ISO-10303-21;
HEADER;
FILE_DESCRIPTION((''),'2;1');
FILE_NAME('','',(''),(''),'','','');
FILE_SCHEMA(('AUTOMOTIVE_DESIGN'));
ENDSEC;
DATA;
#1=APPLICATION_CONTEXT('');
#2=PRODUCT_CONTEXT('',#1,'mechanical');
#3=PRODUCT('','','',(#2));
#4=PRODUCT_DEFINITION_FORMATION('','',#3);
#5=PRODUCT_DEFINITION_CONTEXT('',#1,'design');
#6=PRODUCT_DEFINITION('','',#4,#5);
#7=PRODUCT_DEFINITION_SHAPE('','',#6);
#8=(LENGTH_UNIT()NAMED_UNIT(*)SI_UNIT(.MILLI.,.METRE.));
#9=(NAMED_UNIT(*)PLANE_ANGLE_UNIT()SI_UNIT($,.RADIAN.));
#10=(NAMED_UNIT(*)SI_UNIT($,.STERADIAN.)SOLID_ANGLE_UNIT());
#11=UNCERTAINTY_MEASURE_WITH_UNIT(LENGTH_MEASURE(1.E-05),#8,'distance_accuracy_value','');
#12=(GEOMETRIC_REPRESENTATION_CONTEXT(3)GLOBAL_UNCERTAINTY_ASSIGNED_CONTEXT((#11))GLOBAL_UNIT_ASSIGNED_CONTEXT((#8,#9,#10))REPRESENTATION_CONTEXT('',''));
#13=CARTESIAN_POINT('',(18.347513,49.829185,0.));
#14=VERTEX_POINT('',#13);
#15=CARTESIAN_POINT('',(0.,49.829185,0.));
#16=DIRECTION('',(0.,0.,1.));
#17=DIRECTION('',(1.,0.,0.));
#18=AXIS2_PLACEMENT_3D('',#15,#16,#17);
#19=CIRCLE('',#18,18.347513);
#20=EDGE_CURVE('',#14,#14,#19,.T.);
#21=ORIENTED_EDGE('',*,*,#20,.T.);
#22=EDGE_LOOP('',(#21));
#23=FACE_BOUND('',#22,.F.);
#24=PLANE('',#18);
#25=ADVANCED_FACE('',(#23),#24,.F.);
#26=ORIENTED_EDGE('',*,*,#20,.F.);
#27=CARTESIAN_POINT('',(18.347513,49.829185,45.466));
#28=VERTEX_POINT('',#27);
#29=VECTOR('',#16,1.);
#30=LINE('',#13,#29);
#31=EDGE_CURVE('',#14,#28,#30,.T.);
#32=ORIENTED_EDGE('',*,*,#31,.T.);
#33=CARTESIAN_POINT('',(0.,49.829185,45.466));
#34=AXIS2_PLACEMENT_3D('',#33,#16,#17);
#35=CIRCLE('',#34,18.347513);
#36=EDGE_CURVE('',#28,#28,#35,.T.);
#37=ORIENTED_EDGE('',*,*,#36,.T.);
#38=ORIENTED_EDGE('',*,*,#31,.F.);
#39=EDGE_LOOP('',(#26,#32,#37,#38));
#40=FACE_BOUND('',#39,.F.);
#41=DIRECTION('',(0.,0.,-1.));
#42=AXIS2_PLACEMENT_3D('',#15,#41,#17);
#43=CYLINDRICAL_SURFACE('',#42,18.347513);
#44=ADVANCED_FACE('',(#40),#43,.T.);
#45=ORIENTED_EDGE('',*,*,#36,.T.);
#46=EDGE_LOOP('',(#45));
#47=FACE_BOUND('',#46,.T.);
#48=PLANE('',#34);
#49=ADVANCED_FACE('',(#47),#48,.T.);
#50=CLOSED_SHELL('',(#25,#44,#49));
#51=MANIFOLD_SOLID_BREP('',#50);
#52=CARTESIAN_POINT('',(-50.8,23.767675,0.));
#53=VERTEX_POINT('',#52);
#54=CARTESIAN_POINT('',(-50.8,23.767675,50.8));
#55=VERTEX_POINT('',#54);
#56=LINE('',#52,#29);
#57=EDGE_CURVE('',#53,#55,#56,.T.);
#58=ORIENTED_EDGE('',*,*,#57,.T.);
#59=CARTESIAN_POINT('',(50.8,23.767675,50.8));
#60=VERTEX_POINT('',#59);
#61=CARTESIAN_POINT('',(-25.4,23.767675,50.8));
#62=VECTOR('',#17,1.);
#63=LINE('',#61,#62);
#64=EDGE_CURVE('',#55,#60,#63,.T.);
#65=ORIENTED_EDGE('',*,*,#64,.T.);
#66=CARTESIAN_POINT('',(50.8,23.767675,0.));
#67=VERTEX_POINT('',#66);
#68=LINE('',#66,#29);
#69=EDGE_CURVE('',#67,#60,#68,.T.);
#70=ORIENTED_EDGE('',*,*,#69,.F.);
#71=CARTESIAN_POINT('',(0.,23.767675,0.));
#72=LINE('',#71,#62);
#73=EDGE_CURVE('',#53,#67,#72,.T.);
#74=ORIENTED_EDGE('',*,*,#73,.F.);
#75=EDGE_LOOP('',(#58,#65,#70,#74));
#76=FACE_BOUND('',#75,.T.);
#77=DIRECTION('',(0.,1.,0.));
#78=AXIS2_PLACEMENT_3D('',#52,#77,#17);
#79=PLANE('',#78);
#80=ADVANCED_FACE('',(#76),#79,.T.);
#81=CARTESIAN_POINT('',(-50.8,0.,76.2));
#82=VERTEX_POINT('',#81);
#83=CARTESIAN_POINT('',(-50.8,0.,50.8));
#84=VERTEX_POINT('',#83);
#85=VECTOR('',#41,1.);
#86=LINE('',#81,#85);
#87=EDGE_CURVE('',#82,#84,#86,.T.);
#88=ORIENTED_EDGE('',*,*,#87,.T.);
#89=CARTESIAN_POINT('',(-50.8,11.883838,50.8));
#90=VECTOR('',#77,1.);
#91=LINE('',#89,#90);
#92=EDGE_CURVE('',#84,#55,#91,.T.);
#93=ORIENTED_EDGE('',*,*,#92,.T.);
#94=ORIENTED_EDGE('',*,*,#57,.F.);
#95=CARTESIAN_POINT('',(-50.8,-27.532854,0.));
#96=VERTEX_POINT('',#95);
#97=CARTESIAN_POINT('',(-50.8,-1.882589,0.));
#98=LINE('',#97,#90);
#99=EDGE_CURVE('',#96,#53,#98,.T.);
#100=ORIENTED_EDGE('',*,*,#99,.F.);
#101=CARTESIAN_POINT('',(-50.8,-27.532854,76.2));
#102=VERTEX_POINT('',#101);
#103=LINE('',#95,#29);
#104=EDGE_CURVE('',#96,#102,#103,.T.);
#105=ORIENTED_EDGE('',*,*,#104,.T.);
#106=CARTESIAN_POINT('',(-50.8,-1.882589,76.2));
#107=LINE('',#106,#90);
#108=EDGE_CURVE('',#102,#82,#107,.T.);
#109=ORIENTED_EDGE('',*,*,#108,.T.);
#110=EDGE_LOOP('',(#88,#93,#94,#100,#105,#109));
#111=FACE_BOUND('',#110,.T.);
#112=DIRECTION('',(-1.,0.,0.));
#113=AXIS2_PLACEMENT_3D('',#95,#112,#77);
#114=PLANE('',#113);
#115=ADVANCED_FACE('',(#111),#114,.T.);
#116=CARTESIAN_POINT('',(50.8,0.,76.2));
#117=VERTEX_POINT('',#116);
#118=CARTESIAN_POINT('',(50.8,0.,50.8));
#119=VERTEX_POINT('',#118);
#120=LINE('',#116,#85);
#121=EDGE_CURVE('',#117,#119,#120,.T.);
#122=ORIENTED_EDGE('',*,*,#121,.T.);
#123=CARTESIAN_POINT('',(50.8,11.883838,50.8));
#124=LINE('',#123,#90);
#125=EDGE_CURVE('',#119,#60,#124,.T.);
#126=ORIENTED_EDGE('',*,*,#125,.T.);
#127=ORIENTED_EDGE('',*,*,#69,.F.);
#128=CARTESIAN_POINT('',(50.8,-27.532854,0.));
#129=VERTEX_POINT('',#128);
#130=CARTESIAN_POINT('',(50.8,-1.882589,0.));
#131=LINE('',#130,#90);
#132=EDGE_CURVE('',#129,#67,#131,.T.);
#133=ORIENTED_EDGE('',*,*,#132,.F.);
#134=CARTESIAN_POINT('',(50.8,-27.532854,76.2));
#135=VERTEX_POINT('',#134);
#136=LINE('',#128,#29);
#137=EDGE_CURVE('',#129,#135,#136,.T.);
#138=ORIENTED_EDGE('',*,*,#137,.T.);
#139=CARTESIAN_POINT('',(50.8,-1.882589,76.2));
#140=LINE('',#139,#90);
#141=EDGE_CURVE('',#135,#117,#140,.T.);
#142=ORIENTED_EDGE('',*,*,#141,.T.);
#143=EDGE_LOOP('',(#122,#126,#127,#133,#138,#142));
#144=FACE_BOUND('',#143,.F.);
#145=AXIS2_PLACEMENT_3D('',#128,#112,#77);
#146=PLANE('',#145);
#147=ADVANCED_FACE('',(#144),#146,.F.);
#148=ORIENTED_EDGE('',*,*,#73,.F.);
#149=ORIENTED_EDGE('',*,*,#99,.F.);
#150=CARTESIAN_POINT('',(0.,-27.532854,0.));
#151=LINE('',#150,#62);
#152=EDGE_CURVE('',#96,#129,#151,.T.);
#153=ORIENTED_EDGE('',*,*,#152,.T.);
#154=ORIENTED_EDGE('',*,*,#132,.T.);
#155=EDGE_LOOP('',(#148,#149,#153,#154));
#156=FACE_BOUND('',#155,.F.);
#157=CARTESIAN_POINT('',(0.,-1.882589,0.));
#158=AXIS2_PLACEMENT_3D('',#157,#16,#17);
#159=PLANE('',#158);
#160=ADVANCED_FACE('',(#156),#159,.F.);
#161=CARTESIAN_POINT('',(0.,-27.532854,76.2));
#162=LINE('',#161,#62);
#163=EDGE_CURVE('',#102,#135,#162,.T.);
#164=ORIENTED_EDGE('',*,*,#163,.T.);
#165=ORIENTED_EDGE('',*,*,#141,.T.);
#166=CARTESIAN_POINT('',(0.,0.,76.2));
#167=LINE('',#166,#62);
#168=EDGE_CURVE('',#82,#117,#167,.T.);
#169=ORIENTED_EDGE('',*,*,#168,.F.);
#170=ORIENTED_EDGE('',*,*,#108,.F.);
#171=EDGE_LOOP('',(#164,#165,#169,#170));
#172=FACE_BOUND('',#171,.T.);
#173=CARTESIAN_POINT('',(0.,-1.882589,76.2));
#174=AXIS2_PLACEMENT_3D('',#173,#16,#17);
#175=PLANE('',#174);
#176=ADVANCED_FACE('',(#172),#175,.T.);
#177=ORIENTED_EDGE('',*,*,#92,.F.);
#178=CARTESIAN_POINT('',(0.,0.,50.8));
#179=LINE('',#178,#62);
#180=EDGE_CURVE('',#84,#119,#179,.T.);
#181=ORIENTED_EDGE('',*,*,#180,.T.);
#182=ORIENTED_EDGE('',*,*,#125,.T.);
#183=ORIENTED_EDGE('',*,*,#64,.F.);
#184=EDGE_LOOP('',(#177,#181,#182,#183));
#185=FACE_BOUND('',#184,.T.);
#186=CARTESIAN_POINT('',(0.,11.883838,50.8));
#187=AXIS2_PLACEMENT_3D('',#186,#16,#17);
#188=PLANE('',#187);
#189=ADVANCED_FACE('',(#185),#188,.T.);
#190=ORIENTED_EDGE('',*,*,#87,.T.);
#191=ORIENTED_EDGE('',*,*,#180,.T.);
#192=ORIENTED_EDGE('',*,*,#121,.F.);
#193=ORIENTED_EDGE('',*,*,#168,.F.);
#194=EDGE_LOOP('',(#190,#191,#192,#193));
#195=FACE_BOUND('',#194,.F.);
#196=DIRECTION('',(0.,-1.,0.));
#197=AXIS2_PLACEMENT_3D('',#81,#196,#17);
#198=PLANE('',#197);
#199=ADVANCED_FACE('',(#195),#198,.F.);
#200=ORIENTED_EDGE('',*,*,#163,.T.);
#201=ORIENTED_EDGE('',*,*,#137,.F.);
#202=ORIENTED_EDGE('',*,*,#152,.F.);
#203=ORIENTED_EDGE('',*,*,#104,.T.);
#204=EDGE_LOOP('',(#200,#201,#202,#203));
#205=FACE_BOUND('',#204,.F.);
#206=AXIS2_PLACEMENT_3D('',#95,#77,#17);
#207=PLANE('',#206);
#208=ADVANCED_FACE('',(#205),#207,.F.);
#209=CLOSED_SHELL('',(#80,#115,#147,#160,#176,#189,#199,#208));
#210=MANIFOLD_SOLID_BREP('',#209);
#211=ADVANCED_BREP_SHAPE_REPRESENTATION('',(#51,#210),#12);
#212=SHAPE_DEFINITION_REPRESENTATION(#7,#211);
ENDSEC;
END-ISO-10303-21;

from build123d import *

# Parameters (mm, degrees)
F0_W     = 101.6
F0_H     = 51.300529
F1_DEPTH = 76.2
F2_W     = 101.6
F2_H     = 23.767676
F3_DEPTH = 25.4
F4_R     = 18.347513
F5_DEPTH = 45.466


with BuildPart() as f1:
    # F0 (on Top) → F1 (new body)
    with BuildSketch(Plane.XY):
        with Locations((0, -1.882589)):
            Rectangle(F0_W, F0_H)
    extrude(amount=F1_DEPTH)

    # F2 (on face) → F3 (cut)
    with BuildSketch(Plane.XY.offset(76.2)):
        with Locations((0, 11.883838)):
            Rectangle(F2_W, F2_H)
    extrude(amount=-F3_DEPTH, mode=Mode.SUBTRACT)


with BuildPart() as f5:
    # F4 (on Top) → F5 (new body)
    with BuildSketch(Plane.XY):
        with Locations((0, 49.829185)):
            Circle(F4_R)
    extrude(amount=F5_DEPTH)


solid = Compound([f1.part, f5.part])
